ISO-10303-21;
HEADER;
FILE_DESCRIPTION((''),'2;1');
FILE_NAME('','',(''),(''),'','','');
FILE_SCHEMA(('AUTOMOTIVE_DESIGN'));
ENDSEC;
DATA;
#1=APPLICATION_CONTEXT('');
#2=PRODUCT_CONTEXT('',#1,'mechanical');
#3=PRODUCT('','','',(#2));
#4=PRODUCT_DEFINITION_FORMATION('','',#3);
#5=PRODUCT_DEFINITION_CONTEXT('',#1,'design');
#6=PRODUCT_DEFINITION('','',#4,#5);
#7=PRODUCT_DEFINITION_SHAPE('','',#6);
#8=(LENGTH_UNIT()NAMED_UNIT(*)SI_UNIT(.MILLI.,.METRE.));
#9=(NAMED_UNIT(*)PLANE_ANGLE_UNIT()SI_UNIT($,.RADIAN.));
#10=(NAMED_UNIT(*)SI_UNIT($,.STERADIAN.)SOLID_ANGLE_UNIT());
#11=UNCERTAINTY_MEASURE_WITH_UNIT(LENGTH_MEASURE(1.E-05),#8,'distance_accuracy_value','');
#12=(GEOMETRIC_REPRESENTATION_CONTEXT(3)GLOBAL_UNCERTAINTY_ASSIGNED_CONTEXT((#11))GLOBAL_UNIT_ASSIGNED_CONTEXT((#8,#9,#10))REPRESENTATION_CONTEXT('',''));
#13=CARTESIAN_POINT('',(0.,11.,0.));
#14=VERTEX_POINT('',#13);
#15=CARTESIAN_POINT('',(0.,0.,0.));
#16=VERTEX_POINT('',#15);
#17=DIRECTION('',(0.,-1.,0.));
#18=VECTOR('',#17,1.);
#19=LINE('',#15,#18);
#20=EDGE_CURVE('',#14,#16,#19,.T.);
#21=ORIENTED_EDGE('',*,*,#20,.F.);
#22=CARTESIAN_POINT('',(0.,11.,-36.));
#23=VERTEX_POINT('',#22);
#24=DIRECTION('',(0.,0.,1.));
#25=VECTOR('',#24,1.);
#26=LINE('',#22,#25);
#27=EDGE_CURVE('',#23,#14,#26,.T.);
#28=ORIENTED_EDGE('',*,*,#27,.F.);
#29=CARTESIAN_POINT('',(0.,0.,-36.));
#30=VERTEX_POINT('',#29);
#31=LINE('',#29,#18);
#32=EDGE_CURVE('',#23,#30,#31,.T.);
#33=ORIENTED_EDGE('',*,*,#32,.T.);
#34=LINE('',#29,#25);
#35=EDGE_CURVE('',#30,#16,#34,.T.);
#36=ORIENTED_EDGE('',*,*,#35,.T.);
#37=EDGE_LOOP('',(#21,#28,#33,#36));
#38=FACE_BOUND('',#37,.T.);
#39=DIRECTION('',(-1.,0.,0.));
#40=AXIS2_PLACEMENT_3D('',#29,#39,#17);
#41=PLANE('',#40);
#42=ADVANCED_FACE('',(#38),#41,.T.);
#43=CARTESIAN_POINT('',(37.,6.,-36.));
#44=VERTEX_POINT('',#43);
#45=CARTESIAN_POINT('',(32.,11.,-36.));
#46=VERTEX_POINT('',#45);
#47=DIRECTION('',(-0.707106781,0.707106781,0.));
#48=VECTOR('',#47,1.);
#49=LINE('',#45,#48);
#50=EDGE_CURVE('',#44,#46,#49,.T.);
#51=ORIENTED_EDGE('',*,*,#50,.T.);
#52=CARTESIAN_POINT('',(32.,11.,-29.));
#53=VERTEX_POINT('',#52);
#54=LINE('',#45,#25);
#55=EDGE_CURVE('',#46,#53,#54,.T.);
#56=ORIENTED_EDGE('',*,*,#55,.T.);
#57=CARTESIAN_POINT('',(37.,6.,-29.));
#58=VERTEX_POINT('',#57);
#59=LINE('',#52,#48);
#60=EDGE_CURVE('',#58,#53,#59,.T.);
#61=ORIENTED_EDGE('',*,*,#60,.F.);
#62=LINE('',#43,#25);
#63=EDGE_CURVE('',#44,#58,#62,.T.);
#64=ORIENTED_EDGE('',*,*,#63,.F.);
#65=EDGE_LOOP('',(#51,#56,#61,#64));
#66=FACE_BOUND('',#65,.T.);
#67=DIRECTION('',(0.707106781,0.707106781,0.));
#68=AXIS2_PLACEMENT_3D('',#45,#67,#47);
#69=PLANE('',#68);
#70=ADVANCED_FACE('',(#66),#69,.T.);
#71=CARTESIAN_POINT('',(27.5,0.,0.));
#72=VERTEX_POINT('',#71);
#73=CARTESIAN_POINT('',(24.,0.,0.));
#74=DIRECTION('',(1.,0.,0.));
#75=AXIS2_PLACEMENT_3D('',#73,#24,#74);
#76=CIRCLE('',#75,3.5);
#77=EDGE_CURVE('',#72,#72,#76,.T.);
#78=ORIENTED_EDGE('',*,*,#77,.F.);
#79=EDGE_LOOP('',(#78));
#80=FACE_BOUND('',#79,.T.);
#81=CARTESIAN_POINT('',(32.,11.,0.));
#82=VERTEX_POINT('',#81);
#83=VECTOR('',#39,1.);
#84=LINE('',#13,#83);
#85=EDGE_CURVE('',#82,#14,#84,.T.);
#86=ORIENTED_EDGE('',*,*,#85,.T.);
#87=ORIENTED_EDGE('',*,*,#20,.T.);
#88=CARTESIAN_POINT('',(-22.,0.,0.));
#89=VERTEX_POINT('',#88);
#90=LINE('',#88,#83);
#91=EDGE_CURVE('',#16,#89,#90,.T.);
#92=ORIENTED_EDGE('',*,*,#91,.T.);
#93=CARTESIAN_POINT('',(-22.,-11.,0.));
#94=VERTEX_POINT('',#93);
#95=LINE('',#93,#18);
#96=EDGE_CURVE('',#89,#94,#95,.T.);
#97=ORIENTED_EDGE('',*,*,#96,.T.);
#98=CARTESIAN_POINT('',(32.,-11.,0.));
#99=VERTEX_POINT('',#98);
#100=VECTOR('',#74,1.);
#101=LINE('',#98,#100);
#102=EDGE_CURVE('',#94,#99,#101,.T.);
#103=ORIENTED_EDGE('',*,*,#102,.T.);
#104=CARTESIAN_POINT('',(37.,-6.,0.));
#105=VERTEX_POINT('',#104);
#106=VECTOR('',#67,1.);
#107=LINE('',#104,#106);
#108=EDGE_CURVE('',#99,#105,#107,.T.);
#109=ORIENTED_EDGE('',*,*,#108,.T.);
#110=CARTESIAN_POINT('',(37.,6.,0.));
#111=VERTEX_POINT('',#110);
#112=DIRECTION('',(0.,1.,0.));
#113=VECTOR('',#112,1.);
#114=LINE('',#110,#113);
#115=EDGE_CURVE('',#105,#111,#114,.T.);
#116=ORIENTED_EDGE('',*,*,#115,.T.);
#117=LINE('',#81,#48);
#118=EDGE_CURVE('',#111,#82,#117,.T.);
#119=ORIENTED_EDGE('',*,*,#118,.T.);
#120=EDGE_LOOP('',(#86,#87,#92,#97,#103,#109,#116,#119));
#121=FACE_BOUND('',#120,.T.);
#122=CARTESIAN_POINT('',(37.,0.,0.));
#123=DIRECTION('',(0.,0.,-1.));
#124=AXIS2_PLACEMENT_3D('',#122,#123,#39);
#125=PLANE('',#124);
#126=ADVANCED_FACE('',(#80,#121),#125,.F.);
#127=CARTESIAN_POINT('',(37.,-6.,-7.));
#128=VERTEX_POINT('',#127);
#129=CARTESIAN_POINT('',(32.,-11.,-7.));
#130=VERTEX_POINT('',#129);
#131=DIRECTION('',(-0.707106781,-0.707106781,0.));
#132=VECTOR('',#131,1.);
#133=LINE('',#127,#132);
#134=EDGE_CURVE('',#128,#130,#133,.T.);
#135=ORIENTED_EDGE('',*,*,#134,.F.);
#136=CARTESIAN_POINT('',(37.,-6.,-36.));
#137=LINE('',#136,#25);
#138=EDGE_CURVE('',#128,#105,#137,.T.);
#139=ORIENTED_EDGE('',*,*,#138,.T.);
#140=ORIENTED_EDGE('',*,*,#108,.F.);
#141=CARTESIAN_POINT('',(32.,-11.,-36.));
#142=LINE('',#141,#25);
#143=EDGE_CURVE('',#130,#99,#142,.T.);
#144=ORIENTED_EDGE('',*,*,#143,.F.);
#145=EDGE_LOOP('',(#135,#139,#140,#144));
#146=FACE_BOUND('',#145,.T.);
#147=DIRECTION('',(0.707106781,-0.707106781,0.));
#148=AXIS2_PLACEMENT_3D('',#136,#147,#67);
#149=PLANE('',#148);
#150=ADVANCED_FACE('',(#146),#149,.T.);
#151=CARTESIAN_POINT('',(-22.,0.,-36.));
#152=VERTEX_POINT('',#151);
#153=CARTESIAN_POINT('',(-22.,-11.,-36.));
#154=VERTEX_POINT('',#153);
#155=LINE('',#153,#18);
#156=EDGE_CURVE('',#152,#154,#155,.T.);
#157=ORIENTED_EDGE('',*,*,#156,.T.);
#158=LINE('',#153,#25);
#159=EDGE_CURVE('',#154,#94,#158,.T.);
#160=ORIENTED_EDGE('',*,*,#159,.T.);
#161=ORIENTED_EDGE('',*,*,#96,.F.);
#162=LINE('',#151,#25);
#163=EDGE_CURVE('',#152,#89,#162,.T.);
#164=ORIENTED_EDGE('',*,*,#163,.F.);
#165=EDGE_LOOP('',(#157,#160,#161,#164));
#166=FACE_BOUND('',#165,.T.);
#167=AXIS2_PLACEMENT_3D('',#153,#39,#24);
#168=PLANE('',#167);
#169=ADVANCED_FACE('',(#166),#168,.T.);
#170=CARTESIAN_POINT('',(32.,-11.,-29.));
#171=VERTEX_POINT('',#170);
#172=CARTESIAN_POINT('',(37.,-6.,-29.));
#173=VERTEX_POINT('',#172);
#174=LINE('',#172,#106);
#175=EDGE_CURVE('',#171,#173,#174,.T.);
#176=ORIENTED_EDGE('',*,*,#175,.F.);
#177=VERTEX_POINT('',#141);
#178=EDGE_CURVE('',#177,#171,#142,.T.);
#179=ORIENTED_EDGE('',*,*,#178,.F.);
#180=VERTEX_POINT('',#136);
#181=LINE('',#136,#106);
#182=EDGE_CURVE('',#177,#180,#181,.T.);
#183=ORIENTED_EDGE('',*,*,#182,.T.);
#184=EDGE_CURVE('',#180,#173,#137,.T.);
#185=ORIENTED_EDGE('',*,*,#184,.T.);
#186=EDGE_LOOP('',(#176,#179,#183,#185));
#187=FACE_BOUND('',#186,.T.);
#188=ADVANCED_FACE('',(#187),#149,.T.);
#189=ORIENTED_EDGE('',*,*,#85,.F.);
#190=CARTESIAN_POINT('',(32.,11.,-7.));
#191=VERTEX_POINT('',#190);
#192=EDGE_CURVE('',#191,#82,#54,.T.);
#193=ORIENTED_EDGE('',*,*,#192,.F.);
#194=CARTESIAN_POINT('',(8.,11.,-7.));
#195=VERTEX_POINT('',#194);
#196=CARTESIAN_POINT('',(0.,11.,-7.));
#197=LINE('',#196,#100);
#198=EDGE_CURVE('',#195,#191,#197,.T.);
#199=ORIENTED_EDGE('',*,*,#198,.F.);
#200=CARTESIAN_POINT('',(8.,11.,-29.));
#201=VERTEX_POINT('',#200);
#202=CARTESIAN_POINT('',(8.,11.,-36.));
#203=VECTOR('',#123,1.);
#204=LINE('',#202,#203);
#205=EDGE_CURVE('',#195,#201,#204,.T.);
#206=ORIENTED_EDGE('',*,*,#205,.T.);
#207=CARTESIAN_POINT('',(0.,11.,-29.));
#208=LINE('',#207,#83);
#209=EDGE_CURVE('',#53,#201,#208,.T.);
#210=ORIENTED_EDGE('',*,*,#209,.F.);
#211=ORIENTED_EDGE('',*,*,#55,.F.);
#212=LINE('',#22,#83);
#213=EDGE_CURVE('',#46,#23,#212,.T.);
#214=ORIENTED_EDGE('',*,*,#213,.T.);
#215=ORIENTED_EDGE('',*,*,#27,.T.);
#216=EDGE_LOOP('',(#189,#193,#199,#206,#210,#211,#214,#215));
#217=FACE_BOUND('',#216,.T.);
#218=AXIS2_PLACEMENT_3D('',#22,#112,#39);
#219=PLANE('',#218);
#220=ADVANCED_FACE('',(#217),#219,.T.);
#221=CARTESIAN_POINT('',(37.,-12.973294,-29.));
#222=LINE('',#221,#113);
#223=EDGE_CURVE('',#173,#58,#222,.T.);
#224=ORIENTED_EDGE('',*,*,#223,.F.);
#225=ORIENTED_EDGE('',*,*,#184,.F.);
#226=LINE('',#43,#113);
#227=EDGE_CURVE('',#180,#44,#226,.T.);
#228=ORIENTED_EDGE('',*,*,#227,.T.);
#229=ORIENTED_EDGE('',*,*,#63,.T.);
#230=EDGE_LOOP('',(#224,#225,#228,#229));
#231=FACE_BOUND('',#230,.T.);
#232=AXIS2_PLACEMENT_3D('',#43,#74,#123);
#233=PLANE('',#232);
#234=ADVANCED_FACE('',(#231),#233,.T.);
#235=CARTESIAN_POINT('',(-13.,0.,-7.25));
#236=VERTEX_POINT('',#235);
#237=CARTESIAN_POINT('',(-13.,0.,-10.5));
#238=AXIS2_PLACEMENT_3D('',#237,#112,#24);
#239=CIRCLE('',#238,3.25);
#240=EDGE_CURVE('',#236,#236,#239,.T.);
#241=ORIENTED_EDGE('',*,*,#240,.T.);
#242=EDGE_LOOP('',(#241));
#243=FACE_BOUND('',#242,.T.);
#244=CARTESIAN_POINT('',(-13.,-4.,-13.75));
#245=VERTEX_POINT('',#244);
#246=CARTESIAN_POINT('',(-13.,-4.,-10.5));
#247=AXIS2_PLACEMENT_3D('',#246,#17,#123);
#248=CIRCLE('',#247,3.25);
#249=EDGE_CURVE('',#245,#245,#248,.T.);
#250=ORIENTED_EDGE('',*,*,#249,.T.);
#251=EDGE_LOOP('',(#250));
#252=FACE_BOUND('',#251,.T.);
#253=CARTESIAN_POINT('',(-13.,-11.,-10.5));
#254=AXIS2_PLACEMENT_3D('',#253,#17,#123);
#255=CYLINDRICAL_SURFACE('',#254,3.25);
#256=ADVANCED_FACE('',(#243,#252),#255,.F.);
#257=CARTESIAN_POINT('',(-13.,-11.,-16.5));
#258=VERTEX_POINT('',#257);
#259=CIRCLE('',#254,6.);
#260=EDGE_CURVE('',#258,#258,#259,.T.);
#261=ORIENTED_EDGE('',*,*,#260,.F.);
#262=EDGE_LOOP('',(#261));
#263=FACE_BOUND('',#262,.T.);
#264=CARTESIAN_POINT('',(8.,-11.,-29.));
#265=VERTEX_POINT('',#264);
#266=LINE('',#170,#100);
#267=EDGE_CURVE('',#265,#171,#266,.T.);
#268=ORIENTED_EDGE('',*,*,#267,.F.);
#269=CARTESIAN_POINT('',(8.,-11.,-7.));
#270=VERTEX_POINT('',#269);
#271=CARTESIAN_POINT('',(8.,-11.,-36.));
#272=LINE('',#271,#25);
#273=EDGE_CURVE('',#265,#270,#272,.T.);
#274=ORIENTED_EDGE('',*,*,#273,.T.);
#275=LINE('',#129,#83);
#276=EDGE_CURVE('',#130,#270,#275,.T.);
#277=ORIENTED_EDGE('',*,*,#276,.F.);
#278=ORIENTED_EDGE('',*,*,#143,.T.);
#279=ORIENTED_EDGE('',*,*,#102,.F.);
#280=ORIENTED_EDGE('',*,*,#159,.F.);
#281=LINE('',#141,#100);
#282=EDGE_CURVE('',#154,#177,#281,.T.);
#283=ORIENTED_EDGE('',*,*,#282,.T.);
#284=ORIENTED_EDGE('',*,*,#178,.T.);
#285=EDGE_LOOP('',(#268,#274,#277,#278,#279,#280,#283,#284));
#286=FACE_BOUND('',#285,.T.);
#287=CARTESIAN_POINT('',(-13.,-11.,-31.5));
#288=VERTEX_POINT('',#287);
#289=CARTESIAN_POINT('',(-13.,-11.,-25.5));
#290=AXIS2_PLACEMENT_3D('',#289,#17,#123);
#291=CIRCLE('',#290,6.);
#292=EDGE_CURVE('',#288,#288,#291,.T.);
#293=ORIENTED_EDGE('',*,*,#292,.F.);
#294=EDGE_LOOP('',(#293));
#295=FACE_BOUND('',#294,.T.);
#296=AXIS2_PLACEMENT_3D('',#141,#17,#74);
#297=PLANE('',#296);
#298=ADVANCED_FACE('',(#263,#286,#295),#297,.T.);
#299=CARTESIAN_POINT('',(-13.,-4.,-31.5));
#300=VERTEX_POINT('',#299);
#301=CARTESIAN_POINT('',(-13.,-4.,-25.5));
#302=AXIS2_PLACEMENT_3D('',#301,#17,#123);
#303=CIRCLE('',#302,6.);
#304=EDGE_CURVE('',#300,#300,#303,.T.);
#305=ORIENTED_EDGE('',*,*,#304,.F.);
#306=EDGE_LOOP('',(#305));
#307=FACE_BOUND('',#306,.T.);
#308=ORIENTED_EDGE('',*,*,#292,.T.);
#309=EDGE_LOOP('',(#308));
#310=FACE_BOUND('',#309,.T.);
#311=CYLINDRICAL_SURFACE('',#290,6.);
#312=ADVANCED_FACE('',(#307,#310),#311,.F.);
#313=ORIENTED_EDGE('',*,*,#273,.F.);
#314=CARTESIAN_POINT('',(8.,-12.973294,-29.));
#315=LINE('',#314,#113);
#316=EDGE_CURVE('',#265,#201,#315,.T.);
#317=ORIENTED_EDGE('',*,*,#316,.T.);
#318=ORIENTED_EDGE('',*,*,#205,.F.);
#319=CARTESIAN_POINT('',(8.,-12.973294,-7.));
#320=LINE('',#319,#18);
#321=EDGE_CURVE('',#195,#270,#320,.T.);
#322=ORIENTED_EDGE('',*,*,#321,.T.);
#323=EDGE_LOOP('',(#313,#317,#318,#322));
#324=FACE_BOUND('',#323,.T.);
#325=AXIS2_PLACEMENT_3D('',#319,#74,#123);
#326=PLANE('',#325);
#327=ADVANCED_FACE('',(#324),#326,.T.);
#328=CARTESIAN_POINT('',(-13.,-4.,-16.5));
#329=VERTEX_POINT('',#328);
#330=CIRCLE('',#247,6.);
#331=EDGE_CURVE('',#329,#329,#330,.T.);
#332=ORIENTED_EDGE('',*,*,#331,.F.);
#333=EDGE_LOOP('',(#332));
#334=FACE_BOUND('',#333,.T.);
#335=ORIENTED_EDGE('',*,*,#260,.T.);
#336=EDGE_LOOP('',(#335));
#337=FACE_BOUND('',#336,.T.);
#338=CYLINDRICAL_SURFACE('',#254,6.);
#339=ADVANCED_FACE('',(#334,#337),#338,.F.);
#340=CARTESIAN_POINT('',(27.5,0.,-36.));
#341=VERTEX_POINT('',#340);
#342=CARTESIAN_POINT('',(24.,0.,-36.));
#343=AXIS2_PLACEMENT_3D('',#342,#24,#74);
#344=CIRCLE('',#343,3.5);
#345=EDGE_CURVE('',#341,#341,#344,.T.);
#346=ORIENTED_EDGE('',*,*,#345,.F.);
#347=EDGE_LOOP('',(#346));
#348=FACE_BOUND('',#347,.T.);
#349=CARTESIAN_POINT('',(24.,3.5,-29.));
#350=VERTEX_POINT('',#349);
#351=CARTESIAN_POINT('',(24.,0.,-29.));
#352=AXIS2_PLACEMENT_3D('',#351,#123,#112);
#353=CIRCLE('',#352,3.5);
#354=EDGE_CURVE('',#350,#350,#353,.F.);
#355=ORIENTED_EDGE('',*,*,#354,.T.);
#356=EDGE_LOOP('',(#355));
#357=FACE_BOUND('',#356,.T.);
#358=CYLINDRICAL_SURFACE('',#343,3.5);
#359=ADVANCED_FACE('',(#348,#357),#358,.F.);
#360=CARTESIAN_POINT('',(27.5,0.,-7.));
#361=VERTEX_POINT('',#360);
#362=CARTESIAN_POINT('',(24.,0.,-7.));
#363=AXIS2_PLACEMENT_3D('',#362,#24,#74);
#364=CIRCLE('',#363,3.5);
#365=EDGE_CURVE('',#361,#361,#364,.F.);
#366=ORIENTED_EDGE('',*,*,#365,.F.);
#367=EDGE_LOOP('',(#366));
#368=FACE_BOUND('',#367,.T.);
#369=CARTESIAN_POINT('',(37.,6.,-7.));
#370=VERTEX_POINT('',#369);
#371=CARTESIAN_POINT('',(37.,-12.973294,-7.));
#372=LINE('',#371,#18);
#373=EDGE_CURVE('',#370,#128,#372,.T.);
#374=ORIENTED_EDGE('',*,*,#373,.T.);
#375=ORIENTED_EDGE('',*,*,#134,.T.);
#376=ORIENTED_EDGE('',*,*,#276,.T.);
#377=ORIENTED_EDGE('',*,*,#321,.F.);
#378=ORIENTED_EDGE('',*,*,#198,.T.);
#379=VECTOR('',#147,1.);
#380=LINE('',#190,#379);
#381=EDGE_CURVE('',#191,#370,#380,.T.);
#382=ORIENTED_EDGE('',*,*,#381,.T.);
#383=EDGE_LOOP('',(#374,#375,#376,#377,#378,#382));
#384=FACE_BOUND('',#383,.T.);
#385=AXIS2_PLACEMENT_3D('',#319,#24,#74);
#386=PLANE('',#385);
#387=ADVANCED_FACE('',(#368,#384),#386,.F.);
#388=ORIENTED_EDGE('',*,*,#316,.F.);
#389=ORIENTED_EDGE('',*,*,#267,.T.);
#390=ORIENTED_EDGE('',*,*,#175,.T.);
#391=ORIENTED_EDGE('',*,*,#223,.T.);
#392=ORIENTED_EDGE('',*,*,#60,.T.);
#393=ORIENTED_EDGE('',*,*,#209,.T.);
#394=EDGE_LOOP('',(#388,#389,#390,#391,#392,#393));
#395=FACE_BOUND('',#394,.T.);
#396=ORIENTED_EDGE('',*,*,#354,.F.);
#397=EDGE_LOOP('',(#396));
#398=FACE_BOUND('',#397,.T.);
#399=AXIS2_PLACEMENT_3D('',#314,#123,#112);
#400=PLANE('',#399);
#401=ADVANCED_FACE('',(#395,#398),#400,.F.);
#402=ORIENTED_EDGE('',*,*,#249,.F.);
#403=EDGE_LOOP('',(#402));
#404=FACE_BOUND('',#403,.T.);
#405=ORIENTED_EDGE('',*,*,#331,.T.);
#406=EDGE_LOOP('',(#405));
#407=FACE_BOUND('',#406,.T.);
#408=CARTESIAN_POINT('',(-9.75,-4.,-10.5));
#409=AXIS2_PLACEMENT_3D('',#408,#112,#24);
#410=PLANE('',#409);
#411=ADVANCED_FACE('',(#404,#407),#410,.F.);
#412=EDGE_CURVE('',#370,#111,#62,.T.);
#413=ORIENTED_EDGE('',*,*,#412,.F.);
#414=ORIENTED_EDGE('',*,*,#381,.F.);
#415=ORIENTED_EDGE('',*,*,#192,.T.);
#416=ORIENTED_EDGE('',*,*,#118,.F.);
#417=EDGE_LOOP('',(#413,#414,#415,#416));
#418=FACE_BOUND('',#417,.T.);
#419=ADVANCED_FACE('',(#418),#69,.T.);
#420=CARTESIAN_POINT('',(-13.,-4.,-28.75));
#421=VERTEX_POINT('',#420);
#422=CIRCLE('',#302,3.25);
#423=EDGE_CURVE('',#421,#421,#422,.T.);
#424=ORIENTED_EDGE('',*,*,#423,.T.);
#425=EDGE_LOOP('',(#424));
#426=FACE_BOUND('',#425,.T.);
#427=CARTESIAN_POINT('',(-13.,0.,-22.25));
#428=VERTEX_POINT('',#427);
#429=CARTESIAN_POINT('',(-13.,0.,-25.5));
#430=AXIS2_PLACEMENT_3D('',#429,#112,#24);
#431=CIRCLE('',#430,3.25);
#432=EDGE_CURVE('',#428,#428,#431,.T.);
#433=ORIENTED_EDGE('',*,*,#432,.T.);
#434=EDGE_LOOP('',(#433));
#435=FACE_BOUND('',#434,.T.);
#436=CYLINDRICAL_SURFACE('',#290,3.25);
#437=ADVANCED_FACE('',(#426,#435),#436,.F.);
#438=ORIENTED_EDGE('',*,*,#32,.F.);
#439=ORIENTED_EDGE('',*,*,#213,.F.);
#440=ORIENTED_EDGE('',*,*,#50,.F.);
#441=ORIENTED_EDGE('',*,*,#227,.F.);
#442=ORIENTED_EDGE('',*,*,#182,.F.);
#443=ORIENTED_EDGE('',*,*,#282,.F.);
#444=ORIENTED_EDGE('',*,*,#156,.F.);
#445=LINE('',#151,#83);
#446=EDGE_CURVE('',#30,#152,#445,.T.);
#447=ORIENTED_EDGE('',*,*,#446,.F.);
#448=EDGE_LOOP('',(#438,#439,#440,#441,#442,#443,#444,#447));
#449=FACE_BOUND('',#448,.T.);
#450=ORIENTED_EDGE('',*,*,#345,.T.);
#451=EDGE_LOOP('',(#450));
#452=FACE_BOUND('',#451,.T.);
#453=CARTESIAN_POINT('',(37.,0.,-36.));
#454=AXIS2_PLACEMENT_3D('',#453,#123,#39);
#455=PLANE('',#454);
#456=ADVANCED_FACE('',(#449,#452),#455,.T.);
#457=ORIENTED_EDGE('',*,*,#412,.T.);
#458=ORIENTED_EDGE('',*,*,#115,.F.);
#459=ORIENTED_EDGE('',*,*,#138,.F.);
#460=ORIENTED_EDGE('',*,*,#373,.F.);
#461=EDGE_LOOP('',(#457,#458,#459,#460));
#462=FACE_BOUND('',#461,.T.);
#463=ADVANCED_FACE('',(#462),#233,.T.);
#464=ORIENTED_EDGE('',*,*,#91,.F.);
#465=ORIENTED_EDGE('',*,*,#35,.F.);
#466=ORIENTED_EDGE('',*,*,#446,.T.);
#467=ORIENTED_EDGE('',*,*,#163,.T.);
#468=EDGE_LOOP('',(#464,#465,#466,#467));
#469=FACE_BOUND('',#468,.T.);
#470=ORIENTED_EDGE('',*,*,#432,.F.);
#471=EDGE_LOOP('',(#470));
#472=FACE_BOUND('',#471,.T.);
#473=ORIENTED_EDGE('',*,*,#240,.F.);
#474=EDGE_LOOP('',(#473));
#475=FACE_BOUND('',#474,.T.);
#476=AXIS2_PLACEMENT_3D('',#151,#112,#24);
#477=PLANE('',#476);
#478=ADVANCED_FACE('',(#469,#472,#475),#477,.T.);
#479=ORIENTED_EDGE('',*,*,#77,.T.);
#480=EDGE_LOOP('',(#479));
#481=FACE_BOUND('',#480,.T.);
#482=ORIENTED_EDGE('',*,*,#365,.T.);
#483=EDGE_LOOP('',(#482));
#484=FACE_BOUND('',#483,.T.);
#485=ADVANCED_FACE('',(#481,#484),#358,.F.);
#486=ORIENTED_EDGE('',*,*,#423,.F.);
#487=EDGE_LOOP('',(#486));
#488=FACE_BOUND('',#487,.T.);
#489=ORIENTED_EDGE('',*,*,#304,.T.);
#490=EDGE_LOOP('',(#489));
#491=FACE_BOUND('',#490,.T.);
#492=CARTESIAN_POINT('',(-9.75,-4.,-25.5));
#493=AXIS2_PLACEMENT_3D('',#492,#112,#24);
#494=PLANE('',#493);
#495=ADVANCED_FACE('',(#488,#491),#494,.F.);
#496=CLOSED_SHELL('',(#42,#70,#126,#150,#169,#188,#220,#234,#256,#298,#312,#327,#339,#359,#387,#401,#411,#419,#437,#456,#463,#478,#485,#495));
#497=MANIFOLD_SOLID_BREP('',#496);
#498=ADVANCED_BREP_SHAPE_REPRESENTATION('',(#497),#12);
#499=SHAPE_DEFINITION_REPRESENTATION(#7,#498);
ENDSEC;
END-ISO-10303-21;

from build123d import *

# Parameters (mm, degrees)
ESQUISSE1_R                                     = 3.5
BASE_EXTRUSION_DEPTH                            = 36
CHAMBRAGE_POUR_VIS_T_TE_CYLINDRIQUE_D           = 6.5
CHAMBRAGE_POUR_VIS_T_TE_CYLINDRIQUE_CBORE_D     = 12
CHAMBRAGE_POUR_VIS_T_TE_CYLINDRIQUE_CBORE_DEPTH = 7
ENL_V_MAT_EXTRU_1_DEPTH                         = 29


with BuildPart() as part:
    # Esquisse1 → Base-Extrusion (new body)
    with BuildSketch(Plane.XY):
        Polygon((0, 0), (0, 11), (32, 11), (37, 6), (37, -6), (32, -11), (-22, -11), (-22, 0), align=None)
        with Locations((24, 0)):
            Circle(ESQUISSE1_R, mode=Mode.SUBTRACT)
    extrude(amount=-BASE_EXTRUSION_DEPTH)

    # Chambrage pour vis à tête cylindrique à 6 pans creux (vis CHC) M51 (through all)
    with Locations(Plane.XZ.offset(11)):
        with Locations((-13, -25.5), (-13, -10.5)):
            CounterBoreHole(CHAMBRAGE_POUR_VIS_T_TE_CYLINDRIQUE_D / 2, CHAMBRAGE_POUR_VIS_T_TE_CYLINDRIQUE_CBORE_D / 2, CHAMBRAGE_POUR_VIS_T_TE_CYLINDRIQUE_CBORE_DEPTH)

    # Esquisse4 → Enlèv. mat.-Extru.1 (cut)
    with BuildSketch(Plane(origin=(37, 0, 0), x_dir=(0, 0, -1), z_dir=(1, 0, 0))):
        Polygon((29, -12.973294334), (18, -12.973294334), (7, -12.973294334), (7, 12.026705666), (18, 12.026705666), (29, 12.026705666), align=None)
    extrude(amount=-ENL_V_MAT_EXTRU_1_DEPTH, mode=Mode.SUBTRACT)


solid = part.part
